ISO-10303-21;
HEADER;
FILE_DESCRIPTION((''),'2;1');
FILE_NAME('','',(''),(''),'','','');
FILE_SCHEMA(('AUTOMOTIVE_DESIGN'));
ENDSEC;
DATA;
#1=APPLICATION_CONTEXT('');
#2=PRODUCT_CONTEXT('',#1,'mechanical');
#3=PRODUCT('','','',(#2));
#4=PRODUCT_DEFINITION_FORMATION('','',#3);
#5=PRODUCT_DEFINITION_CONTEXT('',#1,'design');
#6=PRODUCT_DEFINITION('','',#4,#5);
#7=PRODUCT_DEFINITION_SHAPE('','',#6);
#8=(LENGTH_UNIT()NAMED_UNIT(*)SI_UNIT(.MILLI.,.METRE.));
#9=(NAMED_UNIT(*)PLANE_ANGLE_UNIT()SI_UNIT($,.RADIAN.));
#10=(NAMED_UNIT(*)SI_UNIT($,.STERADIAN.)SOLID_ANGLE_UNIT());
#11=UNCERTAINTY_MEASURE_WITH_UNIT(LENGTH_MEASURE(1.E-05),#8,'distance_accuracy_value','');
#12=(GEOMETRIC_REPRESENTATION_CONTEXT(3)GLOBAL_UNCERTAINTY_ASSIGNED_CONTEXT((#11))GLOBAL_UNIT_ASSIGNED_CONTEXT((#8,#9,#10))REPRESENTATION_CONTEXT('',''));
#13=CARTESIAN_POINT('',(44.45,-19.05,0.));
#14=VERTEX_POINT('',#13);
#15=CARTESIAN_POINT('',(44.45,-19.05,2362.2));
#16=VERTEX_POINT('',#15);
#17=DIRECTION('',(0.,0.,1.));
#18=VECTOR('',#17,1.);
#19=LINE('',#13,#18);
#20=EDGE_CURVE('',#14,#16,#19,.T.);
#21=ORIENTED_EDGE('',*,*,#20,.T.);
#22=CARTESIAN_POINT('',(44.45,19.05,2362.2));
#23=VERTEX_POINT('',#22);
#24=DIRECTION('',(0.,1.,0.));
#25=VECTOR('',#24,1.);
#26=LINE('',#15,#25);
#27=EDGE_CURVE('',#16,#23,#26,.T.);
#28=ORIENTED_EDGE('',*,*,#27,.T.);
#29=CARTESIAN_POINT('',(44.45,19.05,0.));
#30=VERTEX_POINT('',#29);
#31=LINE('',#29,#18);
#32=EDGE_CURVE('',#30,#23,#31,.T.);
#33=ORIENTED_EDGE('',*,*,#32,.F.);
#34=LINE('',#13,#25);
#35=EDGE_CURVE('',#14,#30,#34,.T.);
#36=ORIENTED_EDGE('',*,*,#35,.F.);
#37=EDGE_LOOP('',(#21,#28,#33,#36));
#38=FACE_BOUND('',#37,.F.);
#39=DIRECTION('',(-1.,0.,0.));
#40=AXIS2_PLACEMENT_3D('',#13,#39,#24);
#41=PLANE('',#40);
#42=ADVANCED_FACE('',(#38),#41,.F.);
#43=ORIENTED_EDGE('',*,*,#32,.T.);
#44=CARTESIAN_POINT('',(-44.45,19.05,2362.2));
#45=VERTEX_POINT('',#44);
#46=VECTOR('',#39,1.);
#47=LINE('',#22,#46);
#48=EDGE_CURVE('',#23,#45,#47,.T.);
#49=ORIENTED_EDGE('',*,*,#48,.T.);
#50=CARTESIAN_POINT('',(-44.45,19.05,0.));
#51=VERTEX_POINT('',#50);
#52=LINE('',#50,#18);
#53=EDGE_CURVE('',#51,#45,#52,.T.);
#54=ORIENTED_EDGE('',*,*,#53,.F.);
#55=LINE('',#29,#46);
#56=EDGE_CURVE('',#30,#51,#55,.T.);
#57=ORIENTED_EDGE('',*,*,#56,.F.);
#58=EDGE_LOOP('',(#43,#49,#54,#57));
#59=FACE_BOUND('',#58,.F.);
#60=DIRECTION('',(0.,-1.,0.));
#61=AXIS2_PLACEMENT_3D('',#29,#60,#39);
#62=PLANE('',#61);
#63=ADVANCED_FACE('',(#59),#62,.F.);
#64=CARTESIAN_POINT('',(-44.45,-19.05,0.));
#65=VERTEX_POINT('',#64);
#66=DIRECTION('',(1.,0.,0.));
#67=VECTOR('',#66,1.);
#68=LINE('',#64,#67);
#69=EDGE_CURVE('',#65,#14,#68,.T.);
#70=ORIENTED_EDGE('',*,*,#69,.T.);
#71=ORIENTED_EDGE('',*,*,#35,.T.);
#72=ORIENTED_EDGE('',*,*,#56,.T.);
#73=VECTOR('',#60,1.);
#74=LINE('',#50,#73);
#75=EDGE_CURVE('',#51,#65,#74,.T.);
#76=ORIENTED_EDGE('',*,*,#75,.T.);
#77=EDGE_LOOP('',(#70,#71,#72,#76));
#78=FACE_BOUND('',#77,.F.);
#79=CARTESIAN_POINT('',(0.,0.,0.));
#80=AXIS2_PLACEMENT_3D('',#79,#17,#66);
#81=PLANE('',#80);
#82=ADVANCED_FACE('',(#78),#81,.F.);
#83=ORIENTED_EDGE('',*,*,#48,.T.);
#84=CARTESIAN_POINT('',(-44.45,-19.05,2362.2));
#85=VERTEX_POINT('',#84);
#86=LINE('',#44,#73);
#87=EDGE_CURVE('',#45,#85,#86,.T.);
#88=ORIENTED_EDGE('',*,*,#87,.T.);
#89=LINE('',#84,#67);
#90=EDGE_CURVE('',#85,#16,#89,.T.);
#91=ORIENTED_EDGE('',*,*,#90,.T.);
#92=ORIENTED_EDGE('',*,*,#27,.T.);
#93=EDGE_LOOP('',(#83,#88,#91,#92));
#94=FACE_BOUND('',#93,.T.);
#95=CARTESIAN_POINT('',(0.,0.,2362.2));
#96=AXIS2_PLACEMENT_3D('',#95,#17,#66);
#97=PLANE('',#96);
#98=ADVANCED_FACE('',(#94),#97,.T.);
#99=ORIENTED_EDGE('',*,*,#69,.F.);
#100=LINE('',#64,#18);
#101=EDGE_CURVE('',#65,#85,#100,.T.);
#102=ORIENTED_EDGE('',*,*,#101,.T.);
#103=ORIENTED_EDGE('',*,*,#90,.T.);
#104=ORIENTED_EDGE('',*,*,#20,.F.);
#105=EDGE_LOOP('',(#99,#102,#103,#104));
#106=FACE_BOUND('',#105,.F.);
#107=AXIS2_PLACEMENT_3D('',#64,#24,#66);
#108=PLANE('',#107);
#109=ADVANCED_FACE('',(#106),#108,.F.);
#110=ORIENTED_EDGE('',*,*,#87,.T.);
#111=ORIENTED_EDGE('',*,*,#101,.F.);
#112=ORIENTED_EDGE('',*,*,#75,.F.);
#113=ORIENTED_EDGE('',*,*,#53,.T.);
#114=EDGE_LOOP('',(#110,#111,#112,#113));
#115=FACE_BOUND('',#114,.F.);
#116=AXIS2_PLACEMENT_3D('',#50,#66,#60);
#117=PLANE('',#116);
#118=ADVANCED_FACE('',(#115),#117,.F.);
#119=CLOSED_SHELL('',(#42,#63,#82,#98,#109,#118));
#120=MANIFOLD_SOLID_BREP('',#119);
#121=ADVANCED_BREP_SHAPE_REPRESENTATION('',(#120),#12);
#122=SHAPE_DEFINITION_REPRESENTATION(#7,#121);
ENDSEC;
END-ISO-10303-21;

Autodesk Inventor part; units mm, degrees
ref_plane "YZ Plane" through (0, 0, 0) normal (1, 0, 0) x (0, 1, 0)
ref_plane "XZ Plane" through (0, 0, 0) normal (0, 1, 0) x (-1, 0, 0)
ref_plane "XY Plane" through (0, 0, 0) normal (0, 0, 1) x (1, 0, 0)
sketch "Sketch1" plane through (0, 0, 0) normal (0, 0, 1) x (1, 0, 0)
  line L0 (-44.45, -19.05) -> (44.45, -19.05)
  line L1 (44.45, -19.05) -> (44.45, 19.05)
  line L2 (44.45, 19.05) -> (-44.45, 19.05)
  line L3 (-44.45, 19.05) -> (-44.45, -19.05)
  line L4 (-44.45, -19.05) -> (44.45, 19.05) construction
  line L5 (44.45, -19.05) -> (-44.45, 19.05) construction
  point P0 (0, 0)
  dimension "d0" = 88.9
  dimension "d1" = 38.1
extrude "Extrusion1" add sketch "Sketch1" along normal blind 2362.2
properties part number "2x4x93"
